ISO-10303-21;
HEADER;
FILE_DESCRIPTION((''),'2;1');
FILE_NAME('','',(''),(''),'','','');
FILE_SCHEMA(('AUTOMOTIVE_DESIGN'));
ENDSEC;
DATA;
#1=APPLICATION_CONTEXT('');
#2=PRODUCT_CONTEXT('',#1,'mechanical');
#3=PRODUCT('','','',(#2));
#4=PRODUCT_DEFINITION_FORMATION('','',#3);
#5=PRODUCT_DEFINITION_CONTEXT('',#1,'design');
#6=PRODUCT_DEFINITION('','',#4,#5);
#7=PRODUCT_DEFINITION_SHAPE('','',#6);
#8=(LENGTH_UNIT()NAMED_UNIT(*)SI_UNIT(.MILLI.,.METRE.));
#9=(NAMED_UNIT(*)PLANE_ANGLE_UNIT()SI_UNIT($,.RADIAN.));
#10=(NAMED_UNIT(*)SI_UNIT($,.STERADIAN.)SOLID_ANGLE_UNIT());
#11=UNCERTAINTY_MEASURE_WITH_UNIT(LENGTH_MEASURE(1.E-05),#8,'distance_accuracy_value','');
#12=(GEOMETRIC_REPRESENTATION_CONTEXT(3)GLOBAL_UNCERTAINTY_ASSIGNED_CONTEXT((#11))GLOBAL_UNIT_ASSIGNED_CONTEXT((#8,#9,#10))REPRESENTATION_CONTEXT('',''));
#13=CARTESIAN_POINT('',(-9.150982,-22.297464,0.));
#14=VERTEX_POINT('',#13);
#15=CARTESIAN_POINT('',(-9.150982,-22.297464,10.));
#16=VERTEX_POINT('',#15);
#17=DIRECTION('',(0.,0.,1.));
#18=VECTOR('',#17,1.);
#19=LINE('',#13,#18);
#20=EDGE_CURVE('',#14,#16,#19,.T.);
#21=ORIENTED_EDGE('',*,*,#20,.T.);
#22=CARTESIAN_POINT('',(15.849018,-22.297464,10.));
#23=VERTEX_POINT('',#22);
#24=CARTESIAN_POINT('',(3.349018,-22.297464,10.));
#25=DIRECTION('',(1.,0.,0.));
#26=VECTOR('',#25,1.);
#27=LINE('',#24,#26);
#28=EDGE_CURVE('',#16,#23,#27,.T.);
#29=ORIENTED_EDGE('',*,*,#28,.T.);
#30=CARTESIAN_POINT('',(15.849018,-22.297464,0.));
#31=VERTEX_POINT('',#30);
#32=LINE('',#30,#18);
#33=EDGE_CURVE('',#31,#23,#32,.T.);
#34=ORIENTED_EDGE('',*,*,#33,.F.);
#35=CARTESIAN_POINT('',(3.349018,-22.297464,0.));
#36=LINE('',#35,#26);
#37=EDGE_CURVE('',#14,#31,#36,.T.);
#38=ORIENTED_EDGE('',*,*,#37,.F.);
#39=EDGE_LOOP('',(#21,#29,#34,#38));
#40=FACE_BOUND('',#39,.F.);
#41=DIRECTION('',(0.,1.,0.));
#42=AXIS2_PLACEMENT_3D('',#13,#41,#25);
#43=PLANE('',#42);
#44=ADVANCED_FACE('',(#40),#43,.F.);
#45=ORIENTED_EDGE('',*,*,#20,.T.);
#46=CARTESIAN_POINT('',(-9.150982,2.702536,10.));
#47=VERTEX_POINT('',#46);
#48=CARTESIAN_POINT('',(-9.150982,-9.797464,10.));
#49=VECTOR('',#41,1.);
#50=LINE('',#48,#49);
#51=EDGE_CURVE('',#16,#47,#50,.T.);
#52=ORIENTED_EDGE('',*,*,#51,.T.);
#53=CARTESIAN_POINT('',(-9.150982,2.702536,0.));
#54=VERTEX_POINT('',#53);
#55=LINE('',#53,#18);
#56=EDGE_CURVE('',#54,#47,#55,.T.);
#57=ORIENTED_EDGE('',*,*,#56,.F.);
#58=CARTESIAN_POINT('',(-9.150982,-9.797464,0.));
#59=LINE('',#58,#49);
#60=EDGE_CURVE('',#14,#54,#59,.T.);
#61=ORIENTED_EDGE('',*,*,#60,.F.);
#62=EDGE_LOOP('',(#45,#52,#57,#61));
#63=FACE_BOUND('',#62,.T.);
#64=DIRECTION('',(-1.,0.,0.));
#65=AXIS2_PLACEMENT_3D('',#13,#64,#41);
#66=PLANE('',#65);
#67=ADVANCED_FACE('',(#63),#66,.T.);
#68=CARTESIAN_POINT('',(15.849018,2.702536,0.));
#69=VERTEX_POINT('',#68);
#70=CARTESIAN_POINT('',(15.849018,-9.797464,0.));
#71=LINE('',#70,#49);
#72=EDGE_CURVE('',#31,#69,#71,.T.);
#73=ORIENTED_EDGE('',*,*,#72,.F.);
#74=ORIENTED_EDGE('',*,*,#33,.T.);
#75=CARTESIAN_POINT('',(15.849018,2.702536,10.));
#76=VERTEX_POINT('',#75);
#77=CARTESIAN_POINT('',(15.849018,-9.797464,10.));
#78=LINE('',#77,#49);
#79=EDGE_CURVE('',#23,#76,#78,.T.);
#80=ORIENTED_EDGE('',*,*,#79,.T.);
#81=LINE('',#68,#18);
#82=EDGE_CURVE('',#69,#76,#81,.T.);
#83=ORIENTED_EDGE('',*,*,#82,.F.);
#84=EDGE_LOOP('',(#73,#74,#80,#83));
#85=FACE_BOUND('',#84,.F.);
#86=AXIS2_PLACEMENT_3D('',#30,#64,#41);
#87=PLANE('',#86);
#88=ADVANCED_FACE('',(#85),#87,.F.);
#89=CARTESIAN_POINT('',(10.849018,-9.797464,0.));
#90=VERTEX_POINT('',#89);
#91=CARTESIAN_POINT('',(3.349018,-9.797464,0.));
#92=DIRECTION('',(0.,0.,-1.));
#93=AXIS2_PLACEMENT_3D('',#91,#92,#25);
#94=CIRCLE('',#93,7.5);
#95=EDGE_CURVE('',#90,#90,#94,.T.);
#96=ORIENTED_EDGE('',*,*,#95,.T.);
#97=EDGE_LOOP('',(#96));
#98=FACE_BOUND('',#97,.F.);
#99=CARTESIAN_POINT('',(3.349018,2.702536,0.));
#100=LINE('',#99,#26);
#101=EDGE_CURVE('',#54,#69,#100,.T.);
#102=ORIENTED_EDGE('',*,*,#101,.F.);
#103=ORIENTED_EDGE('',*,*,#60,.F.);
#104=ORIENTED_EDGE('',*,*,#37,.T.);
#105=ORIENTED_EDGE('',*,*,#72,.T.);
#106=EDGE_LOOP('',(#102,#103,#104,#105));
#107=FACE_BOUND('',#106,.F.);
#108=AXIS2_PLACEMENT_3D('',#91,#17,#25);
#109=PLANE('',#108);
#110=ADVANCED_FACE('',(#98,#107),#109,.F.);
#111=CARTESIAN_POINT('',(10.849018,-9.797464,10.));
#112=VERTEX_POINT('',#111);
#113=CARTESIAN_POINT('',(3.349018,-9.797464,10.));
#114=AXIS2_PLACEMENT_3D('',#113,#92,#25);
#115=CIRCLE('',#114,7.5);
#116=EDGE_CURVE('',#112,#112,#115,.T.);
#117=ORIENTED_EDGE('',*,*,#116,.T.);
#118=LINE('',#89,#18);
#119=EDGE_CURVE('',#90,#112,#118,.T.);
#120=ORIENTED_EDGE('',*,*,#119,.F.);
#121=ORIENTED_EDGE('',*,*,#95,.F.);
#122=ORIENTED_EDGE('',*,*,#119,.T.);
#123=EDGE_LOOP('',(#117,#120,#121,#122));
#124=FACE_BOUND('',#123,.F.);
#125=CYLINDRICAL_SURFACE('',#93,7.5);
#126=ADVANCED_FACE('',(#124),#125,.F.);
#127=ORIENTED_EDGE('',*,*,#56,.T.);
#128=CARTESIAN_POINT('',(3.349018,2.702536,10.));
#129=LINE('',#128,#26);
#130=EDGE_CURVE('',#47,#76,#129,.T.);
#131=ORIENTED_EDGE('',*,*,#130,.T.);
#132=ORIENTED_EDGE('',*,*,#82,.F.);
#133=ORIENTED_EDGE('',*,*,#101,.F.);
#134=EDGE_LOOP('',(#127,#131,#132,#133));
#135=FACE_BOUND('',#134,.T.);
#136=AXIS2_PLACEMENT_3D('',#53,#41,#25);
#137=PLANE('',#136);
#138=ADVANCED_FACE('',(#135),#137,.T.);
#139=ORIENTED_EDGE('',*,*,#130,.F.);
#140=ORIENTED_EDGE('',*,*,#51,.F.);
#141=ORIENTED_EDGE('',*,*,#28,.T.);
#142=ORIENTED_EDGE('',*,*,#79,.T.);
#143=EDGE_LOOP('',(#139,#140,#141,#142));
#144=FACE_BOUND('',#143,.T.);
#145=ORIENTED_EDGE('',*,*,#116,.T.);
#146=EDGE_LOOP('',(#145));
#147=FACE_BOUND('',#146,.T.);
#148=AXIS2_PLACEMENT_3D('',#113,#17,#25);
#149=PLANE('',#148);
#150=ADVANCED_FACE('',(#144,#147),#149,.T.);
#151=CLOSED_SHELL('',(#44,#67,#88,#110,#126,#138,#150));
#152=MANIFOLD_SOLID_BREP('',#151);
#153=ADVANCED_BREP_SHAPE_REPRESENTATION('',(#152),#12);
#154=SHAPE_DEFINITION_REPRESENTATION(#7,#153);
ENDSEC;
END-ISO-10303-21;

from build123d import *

# Parameters (mm, degrees)
F0_W     = 25
F0_H     = 25
F1_DEPTH = 10
F2_R     = 7.5
F3_DEPTH = 10.001


with BuildPart() as f1:
    # F0 (on Top) → F1 (new body)
    with BuildSketch(Plane.XY):
        with Locations((3.349018, -9.797464)):
            Rectangle(F0_W, F0_H)
    extrude(amount=F1_DEPTH)

    # F2 (on face) → F3 (cut, through all)
    with BuildSketch(Plane(origin=(0, 0, 0), x_dir=(1, 0, 0), z_dir=(0, 0, -1))):
        with Locations((3.349018, 9.797464)):
            Circle(F2_R)
    extrude(amount=-F3_DEPTH, mode=Mode.SUBTRACT)


solid = f1.part
